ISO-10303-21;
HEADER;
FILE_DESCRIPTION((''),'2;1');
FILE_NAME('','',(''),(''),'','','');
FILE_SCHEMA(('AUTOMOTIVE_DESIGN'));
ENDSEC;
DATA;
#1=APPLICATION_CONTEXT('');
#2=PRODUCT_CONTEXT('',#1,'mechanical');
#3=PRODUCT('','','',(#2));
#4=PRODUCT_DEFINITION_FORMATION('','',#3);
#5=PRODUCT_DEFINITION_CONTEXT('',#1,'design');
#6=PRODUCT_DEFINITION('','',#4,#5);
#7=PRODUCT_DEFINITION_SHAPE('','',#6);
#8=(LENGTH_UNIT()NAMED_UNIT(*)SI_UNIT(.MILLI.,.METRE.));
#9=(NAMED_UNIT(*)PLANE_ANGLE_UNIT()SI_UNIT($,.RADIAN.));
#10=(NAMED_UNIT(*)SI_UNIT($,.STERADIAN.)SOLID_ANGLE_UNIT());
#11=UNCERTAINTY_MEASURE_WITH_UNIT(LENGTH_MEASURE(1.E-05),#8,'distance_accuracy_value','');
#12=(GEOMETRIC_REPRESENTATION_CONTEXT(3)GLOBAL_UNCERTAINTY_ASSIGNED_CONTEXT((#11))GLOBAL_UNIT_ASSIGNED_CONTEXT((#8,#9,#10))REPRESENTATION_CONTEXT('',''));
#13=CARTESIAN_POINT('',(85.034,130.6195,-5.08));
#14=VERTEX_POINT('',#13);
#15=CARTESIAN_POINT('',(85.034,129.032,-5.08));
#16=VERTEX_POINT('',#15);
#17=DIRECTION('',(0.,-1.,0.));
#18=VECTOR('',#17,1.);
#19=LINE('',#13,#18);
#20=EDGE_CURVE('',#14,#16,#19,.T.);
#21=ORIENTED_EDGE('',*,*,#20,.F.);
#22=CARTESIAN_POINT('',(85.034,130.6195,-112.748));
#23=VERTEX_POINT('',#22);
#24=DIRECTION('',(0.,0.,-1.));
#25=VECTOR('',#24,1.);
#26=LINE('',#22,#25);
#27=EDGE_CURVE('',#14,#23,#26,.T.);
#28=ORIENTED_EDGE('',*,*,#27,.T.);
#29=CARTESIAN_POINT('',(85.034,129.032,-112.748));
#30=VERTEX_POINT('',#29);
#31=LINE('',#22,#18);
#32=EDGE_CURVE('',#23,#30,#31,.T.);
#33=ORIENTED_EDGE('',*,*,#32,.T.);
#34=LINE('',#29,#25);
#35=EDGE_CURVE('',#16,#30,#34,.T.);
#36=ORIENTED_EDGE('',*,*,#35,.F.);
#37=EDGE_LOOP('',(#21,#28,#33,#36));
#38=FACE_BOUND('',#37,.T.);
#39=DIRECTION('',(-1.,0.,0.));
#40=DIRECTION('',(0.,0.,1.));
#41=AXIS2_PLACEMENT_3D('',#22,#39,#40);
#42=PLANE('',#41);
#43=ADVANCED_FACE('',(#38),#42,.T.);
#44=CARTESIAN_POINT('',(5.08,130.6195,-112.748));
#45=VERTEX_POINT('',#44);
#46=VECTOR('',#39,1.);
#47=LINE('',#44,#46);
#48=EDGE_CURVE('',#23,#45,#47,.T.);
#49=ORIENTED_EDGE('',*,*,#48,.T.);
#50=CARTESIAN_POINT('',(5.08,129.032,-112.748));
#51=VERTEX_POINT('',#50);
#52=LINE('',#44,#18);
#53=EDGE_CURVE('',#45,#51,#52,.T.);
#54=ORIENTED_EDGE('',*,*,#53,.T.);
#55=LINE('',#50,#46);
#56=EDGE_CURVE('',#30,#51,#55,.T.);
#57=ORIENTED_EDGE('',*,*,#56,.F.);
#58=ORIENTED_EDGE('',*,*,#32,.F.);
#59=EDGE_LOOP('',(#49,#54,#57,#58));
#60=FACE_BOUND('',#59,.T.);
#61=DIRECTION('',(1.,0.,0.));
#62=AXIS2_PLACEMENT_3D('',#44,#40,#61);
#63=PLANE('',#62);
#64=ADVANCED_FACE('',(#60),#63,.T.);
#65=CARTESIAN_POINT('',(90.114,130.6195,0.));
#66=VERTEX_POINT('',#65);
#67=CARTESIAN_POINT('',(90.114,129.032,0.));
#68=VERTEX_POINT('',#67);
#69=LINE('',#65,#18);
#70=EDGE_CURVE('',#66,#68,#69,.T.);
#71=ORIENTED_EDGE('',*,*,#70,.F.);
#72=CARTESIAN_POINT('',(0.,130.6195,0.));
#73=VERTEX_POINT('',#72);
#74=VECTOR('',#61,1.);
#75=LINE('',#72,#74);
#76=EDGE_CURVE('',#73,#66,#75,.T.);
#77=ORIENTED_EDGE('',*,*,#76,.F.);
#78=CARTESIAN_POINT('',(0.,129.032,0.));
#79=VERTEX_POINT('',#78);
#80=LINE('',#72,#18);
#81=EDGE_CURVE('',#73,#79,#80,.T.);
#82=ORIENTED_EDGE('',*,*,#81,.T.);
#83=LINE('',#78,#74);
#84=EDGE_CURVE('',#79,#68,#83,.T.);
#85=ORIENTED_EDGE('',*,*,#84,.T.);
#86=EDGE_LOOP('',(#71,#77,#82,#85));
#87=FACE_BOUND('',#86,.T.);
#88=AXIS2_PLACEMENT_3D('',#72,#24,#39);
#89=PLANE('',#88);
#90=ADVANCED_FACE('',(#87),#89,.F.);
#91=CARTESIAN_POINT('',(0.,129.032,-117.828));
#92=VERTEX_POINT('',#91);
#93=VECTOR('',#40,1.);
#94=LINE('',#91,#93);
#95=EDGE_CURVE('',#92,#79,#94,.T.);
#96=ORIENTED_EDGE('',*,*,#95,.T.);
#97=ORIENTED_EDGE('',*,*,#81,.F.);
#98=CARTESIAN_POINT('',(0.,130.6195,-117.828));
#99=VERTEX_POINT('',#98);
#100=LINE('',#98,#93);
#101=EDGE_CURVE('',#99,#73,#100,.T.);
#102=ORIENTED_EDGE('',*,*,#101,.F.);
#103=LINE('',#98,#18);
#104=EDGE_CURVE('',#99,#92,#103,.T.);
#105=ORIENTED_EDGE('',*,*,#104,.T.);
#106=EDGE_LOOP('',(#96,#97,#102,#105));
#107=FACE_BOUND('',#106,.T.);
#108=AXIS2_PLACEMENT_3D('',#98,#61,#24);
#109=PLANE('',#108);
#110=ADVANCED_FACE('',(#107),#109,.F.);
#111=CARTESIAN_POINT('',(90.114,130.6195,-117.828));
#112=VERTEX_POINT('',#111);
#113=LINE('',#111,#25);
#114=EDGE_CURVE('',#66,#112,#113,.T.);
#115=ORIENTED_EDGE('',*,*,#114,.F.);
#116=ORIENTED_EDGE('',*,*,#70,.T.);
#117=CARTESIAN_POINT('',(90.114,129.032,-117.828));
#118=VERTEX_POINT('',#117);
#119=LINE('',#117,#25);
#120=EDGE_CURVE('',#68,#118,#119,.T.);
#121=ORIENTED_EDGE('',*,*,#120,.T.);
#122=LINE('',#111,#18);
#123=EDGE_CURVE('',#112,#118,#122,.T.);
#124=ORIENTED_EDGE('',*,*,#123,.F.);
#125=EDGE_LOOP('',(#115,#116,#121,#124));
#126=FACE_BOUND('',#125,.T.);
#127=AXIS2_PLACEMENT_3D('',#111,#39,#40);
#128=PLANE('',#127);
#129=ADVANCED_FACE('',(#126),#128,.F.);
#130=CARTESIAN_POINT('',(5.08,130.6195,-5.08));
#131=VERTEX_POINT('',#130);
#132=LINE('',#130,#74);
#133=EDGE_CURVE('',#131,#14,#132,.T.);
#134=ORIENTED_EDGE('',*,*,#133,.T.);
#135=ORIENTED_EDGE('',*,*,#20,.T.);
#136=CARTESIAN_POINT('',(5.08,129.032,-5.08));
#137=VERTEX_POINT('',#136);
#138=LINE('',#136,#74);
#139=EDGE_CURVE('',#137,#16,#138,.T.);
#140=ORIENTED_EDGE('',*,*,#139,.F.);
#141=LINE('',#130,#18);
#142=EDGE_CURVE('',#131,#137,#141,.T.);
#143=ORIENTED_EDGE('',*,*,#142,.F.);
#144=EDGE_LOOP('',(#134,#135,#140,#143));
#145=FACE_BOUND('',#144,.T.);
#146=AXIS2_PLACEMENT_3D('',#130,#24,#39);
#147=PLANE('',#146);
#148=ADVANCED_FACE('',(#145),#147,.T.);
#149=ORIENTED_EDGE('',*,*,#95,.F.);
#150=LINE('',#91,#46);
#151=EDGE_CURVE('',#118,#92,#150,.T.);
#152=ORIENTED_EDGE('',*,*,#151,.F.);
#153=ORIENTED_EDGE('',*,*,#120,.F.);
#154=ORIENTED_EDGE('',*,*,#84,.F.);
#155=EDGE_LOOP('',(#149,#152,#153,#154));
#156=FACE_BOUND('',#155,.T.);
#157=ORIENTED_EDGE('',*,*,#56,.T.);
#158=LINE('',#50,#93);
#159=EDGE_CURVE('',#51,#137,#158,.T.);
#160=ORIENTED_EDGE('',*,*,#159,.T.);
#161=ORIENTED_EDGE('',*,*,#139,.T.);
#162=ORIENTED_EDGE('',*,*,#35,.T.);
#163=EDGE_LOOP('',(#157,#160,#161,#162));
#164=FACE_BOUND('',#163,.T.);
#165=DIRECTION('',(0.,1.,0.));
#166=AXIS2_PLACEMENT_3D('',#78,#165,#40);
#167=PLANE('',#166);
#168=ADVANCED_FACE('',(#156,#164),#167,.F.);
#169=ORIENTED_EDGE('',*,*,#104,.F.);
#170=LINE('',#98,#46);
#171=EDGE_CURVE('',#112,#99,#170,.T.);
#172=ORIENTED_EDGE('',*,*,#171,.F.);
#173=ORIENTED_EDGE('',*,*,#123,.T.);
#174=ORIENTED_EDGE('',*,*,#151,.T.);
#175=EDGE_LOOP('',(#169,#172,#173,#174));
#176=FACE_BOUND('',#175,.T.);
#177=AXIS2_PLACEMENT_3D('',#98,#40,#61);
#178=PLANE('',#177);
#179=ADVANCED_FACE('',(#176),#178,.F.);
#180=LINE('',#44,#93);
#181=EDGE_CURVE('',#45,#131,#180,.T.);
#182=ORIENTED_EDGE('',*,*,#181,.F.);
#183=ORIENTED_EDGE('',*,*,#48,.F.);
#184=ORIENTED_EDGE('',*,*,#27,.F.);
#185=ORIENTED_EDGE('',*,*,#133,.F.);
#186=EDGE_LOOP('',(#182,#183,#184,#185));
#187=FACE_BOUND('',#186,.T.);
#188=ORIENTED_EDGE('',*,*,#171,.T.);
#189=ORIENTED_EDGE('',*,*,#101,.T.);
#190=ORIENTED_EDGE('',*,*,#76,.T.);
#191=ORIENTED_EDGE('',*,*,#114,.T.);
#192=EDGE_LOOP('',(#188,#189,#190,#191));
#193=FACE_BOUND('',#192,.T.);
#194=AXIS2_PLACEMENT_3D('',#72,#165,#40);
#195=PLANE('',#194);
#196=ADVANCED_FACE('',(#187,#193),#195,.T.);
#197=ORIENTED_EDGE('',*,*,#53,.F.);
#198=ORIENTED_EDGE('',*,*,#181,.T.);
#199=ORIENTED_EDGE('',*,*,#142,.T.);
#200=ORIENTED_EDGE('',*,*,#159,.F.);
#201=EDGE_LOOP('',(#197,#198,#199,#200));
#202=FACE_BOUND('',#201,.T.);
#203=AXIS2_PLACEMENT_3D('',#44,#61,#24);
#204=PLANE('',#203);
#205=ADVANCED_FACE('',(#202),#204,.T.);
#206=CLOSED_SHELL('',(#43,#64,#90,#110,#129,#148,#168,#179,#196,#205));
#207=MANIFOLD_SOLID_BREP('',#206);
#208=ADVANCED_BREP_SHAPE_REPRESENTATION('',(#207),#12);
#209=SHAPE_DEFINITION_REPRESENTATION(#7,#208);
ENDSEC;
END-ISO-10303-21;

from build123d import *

# Parameters (mm, degrees)
SKETCH1_W           = 90.114
SKETCH1_H           = 117.828
SKETCH1_W_2         = 79.954
SKETCH1_H_2         = 107.668
BOSS_EXTRUDE1_DEPTH = 1.5875


with BuildPart() as part:
    # Sketch1 → Boss-Extrude1 (new body)
    with BuildSketch(Plane(origin=(0, 129.032, 0), x_dir=(1, 0, 0), z_dir=(0, 1, 0))):
        with Locations((45.057, 58.914)):
            Rectangle(SKETCH1_W, SKETCH1_H)
        with Locations((45.057, 58.914)):
            Rectangle(SKETCH1_W_2, SKETCH1_H_2, mode=Mode.SUBTRACT)
    extrude(amount=BOSS_EXTRUDE1_DEPTH)


solid = part.part
